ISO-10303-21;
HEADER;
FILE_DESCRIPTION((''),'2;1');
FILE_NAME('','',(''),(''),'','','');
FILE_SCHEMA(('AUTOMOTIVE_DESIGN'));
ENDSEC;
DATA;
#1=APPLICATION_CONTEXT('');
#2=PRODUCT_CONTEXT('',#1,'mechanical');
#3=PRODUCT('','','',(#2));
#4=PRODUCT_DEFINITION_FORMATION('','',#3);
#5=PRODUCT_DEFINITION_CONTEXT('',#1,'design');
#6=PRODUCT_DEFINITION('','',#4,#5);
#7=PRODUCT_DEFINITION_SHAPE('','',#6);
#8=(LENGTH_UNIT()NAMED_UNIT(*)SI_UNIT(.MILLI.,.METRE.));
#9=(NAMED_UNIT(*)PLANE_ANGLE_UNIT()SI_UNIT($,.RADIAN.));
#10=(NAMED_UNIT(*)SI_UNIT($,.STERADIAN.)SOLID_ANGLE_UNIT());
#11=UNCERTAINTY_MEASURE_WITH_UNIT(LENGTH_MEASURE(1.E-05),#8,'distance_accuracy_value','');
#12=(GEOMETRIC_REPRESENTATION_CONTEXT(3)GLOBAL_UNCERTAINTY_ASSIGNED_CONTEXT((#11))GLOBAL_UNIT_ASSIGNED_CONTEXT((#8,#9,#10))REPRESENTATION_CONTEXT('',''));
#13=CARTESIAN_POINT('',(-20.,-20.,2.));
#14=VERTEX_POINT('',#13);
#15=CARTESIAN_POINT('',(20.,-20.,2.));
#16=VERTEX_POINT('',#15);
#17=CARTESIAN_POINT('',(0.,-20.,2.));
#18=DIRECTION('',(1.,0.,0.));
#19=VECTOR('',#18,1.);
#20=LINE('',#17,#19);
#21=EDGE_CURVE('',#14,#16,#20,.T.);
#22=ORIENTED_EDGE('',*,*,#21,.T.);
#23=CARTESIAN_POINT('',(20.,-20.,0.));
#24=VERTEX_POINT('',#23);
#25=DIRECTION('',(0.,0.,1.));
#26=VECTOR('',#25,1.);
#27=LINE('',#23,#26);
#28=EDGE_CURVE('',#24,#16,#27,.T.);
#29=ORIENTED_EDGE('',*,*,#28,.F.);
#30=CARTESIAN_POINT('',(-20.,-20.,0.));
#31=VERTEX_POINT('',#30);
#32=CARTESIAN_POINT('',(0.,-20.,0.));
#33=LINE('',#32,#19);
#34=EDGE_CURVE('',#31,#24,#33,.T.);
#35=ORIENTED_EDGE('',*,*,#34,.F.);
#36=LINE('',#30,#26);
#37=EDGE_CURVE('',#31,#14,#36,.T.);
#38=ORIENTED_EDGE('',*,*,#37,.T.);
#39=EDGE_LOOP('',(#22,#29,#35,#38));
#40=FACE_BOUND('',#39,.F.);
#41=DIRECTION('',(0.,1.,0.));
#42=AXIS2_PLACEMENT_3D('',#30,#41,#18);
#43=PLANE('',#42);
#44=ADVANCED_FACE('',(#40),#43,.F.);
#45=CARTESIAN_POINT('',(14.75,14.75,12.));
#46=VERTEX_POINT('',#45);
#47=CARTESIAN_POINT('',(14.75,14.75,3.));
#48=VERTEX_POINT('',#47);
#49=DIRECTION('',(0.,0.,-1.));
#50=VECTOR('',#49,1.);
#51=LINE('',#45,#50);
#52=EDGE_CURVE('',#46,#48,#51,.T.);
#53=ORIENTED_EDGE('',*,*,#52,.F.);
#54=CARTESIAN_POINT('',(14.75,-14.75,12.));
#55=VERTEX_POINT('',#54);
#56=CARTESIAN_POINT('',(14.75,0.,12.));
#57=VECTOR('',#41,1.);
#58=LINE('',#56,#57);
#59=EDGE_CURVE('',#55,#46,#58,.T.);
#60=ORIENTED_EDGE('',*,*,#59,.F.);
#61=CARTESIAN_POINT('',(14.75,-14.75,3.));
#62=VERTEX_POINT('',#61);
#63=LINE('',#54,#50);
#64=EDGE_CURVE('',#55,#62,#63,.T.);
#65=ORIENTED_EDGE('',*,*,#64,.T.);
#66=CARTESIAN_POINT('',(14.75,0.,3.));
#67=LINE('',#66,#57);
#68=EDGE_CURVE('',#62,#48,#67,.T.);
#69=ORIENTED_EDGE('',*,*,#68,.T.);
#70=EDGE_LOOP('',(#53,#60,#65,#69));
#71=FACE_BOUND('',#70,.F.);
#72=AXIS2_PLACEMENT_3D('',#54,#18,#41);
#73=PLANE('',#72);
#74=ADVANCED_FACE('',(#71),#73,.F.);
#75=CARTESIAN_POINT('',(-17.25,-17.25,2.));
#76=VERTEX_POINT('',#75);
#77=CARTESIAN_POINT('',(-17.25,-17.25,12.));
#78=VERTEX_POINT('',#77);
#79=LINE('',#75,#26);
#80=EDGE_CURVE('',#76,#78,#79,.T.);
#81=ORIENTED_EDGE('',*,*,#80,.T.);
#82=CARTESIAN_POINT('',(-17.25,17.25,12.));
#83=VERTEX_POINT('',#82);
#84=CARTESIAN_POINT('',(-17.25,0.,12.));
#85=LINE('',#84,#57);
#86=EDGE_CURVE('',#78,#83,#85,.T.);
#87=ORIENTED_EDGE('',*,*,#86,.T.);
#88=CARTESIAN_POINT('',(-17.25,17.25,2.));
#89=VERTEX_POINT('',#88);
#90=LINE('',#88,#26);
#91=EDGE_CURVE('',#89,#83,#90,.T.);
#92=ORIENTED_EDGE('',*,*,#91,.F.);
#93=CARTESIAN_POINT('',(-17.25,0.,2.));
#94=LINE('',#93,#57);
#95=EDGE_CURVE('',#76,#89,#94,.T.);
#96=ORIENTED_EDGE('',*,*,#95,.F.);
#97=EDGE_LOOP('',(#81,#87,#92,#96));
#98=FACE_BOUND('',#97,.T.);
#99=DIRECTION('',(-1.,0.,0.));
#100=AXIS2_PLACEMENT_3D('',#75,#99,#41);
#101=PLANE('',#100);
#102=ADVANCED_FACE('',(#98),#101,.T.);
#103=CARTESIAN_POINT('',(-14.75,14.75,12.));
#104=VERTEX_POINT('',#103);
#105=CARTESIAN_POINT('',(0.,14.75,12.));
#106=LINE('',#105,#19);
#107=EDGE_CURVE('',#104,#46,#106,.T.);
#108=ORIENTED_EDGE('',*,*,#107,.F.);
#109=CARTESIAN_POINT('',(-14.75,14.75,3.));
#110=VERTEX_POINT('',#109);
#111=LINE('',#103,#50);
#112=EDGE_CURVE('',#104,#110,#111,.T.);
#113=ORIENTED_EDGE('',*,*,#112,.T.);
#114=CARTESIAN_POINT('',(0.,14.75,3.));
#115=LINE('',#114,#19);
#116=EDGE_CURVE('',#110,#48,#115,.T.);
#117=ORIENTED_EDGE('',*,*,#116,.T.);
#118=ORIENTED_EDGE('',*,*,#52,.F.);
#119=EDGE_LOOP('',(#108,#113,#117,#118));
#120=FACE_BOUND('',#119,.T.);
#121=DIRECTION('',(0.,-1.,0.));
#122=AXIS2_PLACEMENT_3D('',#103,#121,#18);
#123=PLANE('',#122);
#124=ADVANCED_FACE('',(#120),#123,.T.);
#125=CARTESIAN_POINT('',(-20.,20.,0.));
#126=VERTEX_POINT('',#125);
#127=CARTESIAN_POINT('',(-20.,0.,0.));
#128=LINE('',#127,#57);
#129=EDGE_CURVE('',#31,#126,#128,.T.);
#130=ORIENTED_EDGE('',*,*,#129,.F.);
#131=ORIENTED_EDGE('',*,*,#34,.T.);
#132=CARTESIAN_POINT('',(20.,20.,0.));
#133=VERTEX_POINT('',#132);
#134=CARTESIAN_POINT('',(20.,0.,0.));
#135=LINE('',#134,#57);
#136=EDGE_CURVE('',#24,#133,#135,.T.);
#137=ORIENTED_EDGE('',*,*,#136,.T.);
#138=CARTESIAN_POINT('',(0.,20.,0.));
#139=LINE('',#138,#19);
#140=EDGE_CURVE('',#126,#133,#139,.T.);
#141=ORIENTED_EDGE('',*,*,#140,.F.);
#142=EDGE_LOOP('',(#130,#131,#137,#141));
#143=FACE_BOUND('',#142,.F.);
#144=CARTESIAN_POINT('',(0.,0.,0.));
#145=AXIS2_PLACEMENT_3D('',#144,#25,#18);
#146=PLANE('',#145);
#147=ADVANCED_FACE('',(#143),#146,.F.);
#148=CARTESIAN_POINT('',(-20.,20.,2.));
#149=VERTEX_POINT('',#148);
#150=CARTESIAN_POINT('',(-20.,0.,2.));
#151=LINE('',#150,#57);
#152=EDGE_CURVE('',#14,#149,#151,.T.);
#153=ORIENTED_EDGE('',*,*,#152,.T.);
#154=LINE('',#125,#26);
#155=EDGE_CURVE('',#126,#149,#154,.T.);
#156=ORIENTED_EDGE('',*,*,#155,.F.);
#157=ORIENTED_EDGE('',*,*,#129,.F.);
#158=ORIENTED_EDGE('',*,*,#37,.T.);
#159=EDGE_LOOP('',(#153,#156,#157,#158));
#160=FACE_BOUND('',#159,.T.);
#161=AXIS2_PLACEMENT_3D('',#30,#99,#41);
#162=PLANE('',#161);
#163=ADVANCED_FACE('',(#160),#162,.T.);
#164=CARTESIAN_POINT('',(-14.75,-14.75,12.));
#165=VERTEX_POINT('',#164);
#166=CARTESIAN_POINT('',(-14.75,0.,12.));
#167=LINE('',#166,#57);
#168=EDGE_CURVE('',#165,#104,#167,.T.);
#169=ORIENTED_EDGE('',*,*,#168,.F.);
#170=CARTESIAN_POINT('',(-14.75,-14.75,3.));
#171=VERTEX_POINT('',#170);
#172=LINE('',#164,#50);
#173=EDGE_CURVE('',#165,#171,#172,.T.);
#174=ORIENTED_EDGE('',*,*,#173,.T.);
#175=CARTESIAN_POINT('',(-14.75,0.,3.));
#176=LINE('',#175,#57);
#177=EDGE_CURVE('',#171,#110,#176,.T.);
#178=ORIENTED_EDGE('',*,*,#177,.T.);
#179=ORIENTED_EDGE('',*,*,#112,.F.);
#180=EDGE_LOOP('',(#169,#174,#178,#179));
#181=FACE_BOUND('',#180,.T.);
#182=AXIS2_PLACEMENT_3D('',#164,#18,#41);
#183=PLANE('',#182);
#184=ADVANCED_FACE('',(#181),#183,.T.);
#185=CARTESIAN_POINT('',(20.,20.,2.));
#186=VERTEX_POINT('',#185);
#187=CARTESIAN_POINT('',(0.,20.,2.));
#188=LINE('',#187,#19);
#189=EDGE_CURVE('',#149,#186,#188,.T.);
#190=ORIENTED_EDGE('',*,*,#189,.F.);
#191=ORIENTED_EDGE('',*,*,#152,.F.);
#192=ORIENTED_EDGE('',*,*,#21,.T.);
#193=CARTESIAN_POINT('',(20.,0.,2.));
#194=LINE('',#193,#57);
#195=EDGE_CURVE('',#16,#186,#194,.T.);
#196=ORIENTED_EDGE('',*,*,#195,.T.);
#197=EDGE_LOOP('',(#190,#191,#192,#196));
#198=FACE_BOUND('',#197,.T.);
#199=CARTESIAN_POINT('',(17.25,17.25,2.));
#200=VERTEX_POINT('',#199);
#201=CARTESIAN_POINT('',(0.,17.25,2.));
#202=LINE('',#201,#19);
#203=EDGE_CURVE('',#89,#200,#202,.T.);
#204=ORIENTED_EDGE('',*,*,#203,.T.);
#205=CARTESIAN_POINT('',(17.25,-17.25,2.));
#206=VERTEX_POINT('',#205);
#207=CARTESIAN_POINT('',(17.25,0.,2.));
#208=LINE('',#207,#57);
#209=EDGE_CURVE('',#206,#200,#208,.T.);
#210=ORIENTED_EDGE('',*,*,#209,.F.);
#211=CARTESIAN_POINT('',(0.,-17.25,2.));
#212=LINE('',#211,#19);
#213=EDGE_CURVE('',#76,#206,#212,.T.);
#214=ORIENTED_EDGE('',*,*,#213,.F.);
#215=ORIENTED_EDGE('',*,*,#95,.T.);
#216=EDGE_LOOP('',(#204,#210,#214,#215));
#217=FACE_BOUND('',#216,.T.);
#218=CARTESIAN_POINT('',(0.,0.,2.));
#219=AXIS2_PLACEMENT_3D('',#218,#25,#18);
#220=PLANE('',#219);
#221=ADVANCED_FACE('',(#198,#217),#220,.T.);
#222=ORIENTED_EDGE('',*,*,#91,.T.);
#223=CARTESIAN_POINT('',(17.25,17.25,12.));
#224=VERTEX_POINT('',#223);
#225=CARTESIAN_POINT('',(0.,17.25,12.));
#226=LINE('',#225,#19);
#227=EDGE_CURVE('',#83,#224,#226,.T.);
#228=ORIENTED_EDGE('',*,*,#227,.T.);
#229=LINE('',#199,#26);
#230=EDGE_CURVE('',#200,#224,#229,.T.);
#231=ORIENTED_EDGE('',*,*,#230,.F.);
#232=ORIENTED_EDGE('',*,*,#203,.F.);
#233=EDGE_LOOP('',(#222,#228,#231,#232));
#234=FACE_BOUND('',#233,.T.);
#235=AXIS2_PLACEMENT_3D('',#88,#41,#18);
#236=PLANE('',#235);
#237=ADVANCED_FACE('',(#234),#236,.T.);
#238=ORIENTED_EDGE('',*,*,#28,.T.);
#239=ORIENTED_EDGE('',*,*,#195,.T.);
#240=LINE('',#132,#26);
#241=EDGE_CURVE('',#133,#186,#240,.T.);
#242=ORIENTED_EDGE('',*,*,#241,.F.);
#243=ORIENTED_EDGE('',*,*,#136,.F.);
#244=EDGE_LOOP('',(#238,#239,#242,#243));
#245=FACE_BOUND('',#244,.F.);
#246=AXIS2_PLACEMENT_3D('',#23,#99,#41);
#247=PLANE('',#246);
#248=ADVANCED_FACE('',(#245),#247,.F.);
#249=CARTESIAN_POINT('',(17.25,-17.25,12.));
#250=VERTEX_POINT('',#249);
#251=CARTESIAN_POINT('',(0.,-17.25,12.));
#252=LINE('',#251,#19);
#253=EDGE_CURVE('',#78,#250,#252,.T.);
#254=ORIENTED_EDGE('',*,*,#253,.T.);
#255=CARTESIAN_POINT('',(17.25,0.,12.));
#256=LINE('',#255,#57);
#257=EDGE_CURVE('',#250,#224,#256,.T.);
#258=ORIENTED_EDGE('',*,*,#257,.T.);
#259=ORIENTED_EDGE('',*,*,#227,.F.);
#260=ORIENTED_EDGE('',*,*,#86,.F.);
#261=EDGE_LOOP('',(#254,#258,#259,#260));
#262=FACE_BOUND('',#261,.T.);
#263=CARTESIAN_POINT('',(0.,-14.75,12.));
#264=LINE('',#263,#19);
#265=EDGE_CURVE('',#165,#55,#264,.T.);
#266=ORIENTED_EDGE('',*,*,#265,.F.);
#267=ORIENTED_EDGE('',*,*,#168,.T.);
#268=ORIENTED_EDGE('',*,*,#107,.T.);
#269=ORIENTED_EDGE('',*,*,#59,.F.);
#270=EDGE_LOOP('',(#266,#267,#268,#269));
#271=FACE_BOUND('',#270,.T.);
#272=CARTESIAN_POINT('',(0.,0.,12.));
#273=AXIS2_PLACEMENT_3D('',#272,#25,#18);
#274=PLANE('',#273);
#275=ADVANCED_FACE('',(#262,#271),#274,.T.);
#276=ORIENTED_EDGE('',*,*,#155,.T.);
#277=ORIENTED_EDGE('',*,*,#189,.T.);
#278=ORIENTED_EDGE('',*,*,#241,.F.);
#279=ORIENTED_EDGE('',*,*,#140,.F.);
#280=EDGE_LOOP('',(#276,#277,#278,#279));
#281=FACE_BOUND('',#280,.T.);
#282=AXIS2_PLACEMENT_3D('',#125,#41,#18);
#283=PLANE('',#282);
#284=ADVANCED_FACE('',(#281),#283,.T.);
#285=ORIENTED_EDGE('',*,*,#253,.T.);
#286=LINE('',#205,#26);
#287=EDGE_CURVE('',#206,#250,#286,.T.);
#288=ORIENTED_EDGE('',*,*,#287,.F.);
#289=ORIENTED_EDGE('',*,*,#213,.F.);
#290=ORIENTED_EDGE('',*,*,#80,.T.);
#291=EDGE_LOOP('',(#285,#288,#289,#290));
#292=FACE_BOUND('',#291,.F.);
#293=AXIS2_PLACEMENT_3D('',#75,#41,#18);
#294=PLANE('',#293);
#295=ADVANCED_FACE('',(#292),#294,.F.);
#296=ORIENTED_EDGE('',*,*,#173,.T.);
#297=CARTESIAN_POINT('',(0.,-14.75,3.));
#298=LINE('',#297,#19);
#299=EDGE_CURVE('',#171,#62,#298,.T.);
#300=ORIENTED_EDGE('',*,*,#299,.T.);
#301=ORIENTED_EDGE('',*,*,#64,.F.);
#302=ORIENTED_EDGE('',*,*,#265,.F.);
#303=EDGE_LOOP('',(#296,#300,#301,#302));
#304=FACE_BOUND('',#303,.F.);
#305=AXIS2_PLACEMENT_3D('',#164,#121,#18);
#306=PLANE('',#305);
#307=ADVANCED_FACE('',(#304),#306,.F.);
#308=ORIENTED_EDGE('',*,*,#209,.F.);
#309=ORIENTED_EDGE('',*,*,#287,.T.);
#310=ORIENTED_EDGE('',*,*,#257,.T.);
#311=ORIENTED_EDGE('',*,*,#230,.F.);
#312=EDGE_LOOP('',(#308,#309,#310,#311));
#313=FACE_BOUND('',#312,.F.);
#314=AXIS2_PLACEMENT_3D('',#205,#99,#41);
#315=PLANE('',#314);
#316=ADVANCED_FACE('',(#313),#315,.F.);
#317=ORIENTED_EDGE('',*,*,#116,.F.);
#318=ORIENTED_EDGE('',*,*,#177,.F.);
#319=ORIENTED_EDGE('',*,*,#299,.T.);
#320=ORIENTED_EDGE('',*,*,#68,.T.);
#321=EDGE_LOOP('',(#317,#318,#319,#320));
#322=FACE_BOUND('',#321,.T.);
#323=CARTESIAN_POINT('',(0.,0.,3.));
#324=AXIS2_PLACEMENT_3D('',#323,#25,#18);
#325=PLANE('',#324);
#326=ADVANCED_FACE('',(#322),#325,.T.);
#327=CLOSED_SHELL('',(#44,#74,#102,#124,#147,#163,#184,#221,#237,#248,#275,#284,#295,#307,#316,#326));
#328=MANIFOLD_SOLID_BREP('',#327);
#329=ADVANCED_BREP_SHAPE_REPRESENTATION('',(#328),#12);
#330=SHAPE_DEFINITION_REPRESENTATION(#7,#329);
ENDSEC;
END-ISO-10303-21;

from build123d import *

# Parameters (mm, degrees)
SKETCH_W     = 40
SKETCH_H     = 40
PAD_DEPTH    = 2
SKETCH001_W  = 34.5
SKETCH001_H  = 34.5
PAD001_DEPTH = 10
SKETCH002_W  = 29.5
SKETCH002_H  = 29.5
POCKET_DEPTH = 9


with BuildPart() as part:
    # Sketch → Pad (new body)
    with BuildSketch(Plane.XY):
        Rectangle(SKETCH_W, SKETCH_H)
    extrude(amount=PAD_DEPTH)

    # Sketch001 (on Face6 of Pad) → Pad001 (join)
    with BuildSketch(Plane.XY.offset(2)):
        Rectangle(SKETCH001_W, SKETCH001_H)
    extrude(amount=PAD001_DEPTH)

    # Sketch002 (on Face11 of Pad001) → Pocket (cut)
    with BuildSketch(Plane.XY.offset(12)):
        Rectangle(SKETCH002_W, SKETCH002_H)
    extrude(amount=-POCKET_DEPTH, mode=Mode.SUBTRACT)


solid = part.part
